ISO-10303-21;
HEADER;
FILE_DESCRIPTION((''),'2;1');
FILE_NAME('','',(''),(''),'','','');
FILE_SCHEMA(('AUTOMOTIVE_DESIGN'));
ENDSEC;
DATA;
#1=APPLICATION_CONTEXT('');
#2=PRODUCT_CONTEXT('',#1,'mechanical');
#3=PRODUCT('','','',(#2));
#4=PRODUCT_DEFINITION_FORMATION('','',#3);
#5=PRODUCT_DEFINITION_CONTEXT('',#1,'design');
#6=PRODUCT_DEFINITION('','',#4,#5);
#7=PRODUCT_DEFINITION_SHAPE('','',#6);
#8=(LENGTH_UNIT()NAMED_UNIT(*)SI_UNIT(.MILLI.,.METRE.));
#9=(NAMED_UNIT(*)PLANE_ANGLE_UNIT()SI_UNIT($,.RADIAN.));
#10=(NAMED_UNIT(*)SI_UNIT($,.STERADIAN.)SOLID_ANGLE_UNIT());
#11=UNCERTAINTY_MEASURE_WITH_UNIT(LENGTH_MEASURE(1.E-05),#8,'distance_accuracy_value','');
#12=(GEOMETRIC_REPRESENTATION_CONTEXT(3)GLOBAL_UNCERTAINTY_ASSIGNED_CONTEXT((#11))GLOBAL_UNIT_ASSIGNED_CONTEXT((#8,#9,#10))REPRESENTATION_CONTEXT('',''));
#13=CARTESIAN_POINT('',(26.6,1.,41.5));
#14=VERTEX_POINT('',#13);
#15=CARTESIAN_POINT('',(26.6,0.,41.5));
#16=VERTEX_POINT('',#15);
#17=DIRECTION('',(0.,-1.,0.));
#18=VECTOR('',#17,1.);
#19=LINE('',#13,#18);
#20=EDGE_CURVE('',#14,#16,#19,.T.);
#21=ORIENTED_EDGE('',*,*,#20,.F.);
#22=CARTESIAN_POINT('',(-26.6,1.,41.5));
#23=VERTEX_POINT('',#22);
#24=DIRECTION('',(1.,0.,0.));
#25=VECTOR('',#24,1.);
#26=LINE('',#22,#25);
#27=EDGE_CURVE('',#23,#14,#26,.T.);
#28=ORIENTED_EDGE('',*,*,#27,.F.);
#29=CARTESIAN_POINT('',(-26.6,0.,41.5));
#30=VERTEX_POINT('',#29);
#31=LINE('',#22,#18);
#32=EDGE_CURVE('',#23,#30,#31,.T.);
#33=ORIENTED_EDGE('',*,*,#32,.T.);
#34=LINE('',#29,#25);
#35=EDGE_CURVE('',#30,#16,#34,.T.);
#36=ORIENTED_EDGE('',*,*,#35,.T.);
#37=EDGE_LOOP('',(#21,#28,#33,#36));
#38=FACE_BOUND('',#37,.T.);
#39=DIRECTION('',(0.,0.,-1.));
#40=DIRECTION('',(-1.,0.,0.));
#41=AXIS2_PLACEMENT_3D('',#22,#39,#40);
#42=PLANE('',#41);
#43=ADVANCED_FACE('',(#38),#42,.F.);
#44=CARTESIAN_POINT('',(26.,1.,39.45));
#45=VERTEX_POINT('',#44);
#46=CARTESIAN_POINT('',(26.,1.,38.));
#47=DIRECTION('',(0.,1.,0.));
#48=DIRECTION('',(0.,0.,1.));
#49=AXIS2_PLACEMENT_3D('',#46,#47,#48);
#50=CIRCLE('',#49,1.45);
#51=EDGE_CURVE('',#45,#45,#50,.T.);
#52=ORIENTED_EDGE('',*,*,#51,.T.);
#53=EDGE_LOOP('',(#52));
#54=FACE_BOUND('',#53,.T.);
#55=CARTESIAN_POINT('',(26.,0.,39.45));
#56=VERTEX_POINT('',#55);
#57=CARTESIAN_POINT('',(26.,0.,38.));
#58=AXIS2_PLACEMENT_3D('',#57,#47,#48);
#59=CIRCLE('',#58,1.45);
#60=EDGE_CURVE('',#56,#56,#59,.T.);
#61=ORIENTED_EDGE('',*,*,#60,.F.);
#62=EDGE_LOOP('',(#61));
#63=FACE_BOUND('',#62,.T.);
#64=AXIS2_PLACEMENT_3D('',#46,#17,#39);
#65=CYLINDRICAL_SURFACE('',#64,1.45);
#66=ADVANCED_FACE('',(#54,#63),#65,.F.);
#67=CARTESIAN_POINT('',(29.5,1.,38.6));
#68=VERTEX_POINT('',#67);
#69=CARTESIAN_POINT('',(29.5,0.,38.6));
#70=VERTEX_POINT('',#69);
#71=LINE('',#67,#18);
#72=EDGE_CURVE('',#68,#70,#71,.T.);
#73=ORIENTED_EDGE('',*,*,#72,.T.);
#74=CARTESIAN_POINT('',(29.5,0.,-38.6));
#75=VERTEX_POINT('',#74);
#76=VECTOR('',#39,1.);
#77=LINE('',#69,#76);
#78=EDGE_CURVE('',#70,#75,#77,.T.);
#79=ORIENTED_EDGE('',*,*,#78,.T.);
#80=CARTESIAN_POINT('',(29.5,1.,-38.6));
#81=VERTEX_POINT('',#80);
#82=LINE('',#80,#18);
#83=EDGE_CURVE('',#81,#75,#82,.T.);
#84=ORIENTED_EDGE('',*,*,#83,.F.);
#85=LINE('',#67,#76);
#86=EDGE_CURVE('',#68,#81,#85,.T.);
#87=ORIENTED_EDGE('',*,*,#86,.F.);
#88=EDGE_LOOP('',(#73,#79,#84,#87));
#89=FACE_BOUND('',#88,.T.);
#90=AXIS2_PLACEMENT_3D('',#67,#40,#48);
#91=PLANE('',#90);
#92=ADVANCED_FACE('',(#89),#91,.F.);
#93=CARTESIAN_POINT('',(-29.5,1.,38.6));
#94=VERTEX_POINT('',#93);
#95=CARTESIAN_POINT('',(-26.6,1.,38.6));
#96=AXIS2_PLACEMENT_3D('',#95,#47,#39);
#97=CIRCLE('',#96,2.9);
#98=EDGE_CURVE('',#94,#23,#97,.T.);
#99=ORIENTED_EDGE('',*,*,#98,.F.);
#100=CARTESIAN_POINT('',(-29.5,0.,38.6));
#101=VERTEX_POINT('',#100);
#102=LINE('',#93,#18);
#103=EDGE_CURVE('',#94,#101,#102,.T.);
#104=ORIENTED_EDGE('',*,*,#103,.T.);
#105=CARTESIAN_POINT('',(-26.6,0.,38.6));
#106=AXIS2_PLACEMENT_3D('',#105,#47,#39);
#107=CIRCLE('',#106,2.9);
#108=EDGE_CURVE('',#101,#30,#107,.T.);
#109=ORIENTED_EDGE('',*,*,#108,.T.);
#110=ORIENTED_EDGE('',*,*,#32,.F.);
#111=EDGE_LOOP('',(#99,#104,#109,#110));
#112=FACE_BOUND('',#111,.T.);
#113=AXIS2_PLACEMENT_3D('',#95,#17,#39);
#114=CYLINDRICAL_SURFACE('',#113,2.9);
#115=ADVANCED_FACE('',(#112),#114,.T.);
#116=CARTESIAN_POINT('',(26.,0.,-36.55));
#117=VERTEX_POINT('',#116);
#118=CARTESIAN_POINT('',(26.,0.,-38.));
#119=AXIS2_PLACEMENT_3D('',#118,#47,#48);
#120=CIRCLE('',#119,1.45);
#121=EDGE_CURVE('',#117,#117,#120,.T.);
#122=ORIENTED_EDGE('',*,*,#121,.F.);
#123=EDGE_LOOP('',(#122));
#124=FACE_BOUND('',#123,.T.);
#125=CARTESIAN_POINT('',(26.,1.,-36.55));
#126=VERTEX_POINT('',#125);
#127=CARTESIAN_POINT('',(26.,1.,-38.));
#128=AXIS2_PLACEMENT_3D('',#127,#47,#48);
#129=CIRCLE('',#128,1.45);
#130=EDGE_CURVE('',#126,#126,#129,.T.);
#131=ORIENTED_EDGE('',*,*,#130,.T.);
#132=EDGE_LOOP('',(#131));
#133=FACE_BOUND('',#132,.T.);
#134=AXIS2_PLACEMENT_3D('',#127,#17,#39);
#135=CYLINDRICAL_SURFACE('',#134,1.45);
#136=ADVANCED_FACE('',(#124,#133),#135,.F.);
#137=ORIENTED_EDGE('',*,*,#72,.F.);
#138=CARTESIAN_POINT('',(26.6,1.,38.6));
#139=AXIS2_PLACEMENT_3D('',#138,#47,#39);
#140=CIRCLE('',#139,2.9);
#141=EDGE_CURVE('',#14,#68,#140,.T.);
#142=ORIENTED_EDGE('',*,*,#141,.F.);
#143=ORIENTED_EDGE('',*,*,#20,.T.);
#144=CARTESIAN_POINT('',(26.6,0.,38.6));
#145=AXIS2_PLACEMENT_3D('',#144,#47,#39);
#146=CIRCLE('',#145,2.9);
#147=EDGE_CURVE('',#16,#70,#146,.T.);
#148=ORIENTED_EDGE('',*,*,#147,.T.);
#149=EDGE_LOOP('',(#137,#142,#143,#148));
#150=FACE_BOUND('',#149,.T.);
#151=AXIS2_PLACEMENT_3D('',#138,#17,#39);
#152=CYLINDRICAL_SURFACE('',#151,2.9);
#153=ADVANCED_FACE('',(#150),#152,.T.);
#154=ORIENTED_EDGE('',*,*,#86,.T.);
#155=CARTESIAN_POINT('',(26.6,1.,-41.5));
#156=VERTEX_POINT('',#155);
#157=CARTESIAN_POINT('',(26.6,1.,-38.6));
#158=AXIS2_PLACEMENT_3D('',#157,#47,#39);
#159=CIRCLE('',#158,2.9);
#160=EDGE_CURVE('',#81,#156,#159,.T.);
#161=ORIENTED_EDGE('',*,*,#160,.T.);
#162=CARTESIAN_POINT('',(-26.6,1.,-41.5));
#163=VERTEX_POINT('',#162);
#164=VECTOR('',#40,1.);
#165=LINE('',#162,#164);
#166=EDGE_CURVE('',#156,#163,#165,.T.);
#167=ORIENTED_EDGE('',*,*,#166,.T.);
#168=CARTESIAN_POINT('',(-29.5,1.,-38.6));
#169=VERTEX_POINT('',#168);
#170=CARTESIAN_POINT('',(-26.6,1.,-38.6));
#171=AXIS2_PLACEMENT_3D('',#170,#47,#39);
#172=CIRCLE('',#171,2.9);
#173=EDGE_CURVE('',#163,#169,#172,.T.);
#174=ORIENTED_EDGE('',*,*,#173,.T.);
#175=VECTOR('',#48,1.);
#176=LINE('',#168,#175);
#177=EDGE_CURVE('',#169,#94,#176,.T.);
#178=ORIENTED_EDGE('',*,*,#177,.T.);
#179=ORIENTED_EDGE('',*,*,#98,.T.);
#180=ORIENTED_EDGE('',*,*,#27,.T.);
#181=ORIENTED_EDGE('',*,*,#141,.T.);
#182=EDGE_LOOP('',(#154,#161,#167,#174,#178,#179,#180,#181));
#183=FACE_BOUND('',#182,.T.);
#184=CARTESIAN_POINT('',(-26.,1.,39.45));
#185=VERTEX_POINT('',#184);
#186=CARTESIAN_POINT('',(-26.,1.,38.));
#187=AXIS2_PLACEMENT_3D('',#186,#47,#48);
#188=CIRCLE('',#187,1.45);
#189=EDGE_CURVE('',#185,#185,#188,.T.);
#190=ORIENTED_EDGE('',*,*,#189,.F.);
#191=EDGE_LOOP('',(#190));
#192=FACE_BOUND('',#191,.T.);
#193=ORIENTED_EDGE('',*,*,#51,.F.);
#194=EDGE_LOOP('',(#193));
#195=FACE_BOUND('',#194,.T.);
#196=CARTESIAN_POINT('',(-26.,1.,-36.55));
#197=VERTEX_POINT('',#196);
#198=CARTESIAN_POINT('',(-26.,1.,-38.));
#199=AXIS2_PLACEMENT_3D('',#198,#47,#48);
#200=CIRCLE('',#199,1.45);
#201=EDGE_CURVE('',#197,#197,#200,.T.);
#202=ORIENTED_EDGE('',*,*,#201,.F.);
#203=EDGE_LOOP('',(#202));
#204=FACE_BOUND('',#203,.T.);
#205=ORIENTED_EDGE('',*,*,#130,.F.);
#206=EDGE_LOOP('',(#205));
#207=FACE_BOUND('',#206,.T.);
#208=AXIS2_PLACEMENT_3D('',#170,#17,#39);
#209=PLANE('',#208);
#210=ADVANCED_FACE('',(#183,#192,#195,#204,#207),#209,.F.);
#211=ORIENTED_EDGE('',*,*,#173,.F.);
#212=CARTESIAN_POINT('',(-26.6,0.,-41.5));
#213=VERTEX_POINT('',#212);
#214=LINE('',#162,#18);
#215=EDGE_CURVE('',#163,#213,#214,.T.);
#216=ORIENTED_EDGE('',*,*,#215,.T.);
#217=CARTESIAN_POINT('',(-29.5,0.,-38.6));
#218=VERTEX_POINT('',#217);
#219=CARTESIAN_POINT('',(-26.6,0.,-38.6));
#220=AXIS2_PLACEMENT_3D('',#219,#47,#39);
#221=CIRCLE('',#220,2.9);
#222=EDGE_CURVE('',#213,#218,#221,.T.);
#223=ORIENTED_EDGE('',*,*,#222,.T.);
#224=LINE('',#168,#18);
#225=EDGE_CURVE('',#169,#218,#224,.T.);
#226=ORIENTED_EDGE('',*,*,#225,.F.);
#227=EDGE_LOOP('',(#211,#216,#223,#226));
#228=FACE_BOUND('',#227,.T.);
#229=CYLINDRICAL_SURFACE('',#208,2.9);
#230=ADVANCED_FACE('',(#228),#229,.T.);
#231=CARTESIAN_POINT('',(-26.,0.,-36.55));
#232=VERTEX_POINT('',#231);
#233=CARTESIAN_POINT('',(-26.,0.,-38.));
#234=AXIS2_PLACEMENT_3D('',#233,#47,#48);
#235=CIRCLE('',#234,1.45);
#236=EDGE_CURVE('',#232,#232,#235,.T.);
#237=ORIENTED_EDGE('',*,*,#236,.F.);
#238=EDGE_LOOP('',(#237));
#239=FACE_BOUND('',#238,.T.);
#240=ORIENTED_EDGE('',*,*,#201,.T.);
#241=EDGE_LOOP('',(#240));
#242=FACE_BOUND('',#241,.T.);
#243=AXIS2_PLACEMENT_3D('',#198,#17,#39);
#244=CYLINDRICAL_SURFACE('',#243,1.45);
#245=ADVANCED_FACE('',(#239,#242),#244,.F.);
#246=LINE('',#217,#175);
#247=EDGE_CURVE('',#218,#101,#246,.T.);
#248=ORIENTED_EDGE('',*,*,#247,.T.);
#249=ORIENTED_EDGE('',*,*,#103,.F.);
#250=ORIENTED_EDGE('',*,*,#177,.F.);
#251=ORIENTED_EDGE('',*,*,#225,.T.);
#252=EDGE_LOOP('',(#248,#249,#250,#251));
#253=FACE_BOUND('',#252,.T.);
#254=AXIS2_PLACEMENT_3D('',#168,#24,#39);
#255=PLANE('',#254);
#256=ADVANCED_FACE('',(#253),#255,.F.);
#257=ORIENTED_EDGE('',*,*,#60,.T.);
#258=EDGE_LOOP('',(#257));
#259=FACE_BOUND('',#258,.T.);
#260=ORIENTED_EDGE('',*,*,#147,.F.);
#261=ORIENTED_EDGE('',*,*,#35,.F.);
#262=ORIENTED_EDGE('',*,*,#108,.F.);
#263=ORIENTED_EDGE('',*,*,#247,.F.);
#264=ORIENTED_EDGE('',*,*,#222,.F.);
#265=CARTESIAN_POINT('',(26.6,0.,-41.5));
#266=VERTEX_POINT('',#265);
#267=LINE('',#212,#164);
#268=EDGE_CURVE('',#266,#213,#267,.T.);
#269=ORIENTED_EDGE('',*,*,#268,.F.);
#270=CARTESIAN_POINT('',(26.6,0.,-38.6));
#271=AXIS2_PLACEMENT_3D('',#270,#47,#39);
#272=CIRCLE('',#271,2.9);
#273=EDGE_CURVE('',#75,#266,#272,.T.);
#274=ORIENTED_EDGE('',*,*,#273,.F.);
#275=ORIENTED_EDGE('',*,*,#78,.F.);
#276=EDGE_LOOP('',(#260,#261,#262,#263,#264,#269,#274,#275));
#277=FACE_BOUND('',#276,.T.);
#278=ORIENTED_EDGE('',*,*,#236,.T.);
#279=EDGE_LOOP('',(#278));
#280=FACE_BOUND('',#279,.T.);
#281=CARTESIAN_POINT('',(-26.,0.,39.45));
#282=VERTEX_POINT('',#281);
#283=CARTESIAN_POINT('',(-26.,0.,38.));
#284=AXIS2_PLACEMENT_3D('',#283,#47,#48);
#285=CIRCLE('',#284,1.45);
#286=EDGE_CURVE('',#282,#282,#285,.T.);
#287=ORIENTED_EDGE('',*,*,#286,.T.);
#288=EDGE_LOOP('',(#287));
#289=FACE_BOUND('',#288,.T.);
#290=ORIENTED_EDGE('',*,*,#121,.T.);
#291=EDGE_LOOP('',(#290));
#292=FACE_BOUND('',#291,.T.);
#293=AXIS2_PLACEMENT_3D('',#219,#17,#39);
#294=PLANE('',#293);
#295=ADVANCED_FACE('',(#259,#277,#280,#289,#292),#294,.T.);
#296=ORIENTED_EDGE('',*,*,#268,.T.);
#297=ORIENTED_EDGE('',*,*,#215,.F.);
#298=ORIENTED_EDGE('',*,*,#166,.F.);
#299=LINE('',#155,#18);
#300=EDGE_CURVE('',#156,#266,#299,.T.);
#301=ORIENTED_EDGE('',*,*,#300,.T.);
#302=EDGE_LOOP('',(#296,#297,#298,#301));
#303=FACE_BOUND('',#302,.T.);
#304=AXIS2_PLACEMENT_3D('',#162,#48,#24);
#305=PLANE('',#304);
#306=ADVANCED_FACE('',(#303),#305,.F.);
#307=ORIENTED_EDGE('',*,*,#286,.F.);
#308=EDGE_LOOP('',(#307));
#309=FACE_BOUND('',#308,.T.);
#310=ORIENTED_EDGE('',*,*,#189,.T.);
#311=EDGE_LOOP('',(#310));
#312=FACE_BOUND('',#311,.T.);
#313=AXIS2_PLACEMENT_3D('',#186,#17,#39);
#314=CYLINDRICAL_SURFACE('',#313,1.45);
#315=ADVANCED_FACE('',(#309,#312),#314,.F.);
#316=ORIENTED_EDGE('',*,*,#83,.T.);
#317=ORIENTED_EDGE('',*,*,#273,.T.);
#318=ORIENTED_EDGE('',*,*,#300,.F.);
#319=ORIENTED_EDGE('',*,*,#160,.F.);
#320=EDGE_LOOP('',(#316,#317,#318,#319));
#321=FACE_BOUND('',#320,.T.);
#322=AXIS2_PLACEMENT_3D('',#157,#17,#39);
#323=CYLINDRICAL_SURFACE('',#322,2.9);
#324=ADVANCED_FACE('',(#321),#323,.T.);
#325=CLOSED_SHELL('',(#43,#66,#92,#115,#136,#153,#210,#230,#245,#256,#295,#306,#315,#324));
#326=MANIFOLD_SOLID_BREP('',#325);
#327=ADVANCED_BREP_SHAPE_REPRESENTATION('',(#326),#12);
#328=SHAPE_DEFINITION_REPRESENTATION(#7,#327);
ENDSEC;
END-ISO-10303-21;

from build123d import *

# Parameters (mm, degrees)
SKETCH2_R           = 1.45
BOSS_EXTRUDE1_DEPTH = 1


with BuildPart() as part:
    # Sketch2 → Boss-Extrude1 (new body)
    with BuildSketch(Plane(origin=(0, 0, 0), x_dir=(1, 0, 0), z_dir=(0, 1, 0))):
        with BuildLine():
            Line((-29.5, 38.6), (-29.5, -38.6))
            ThreePointArc((-29.5, -38.6), (-28.650609665, -40.650609665), (-26.6, -41.5))
            Line((-26.6, -41.5), (26.6, -41.5))
            ThreePointArc((26.6, -41.5), (28.650609665, -40.650609665), (29.5, -38.6))
            Line((29.5, -38.6), (29.5, 38.6))
            ThreePointArc((29.5, 38.6), (28.650609665, 40.650609665), (26.6, 41.5))
            Line((26.6, 41.5), (-26.6, 41.5))
            ThreePointArc((-26.6, 41.5), (-28.650609665, 40.650609665), (-29.5, 38.6))
        make_face()
        with Locations(Location((-26, 38, 0), (0, 0, 270))):
            Circle(SKETCH2_R, mode=Mode.SUBTRACT)
        with Locations(Location((26, 38, 0), (0, 0, 270))):
            Circle(SKETCH2_R, mode=Mode.SUBTRACT)
        with Locations(Location((26, -38, 0), (0, 0, 270))):
            Circle(SKETCH2_R, mode=Mode.SUBTRACT)
        with Locations(Location((-26, -38, 0), (0, 0, 270))):
            Circle(SKETCH2_R, mode=Mode.SUBTRACT)
    extrude(amount=BOSS_EXTRUDE1_DEPTH)


solid = part.part
